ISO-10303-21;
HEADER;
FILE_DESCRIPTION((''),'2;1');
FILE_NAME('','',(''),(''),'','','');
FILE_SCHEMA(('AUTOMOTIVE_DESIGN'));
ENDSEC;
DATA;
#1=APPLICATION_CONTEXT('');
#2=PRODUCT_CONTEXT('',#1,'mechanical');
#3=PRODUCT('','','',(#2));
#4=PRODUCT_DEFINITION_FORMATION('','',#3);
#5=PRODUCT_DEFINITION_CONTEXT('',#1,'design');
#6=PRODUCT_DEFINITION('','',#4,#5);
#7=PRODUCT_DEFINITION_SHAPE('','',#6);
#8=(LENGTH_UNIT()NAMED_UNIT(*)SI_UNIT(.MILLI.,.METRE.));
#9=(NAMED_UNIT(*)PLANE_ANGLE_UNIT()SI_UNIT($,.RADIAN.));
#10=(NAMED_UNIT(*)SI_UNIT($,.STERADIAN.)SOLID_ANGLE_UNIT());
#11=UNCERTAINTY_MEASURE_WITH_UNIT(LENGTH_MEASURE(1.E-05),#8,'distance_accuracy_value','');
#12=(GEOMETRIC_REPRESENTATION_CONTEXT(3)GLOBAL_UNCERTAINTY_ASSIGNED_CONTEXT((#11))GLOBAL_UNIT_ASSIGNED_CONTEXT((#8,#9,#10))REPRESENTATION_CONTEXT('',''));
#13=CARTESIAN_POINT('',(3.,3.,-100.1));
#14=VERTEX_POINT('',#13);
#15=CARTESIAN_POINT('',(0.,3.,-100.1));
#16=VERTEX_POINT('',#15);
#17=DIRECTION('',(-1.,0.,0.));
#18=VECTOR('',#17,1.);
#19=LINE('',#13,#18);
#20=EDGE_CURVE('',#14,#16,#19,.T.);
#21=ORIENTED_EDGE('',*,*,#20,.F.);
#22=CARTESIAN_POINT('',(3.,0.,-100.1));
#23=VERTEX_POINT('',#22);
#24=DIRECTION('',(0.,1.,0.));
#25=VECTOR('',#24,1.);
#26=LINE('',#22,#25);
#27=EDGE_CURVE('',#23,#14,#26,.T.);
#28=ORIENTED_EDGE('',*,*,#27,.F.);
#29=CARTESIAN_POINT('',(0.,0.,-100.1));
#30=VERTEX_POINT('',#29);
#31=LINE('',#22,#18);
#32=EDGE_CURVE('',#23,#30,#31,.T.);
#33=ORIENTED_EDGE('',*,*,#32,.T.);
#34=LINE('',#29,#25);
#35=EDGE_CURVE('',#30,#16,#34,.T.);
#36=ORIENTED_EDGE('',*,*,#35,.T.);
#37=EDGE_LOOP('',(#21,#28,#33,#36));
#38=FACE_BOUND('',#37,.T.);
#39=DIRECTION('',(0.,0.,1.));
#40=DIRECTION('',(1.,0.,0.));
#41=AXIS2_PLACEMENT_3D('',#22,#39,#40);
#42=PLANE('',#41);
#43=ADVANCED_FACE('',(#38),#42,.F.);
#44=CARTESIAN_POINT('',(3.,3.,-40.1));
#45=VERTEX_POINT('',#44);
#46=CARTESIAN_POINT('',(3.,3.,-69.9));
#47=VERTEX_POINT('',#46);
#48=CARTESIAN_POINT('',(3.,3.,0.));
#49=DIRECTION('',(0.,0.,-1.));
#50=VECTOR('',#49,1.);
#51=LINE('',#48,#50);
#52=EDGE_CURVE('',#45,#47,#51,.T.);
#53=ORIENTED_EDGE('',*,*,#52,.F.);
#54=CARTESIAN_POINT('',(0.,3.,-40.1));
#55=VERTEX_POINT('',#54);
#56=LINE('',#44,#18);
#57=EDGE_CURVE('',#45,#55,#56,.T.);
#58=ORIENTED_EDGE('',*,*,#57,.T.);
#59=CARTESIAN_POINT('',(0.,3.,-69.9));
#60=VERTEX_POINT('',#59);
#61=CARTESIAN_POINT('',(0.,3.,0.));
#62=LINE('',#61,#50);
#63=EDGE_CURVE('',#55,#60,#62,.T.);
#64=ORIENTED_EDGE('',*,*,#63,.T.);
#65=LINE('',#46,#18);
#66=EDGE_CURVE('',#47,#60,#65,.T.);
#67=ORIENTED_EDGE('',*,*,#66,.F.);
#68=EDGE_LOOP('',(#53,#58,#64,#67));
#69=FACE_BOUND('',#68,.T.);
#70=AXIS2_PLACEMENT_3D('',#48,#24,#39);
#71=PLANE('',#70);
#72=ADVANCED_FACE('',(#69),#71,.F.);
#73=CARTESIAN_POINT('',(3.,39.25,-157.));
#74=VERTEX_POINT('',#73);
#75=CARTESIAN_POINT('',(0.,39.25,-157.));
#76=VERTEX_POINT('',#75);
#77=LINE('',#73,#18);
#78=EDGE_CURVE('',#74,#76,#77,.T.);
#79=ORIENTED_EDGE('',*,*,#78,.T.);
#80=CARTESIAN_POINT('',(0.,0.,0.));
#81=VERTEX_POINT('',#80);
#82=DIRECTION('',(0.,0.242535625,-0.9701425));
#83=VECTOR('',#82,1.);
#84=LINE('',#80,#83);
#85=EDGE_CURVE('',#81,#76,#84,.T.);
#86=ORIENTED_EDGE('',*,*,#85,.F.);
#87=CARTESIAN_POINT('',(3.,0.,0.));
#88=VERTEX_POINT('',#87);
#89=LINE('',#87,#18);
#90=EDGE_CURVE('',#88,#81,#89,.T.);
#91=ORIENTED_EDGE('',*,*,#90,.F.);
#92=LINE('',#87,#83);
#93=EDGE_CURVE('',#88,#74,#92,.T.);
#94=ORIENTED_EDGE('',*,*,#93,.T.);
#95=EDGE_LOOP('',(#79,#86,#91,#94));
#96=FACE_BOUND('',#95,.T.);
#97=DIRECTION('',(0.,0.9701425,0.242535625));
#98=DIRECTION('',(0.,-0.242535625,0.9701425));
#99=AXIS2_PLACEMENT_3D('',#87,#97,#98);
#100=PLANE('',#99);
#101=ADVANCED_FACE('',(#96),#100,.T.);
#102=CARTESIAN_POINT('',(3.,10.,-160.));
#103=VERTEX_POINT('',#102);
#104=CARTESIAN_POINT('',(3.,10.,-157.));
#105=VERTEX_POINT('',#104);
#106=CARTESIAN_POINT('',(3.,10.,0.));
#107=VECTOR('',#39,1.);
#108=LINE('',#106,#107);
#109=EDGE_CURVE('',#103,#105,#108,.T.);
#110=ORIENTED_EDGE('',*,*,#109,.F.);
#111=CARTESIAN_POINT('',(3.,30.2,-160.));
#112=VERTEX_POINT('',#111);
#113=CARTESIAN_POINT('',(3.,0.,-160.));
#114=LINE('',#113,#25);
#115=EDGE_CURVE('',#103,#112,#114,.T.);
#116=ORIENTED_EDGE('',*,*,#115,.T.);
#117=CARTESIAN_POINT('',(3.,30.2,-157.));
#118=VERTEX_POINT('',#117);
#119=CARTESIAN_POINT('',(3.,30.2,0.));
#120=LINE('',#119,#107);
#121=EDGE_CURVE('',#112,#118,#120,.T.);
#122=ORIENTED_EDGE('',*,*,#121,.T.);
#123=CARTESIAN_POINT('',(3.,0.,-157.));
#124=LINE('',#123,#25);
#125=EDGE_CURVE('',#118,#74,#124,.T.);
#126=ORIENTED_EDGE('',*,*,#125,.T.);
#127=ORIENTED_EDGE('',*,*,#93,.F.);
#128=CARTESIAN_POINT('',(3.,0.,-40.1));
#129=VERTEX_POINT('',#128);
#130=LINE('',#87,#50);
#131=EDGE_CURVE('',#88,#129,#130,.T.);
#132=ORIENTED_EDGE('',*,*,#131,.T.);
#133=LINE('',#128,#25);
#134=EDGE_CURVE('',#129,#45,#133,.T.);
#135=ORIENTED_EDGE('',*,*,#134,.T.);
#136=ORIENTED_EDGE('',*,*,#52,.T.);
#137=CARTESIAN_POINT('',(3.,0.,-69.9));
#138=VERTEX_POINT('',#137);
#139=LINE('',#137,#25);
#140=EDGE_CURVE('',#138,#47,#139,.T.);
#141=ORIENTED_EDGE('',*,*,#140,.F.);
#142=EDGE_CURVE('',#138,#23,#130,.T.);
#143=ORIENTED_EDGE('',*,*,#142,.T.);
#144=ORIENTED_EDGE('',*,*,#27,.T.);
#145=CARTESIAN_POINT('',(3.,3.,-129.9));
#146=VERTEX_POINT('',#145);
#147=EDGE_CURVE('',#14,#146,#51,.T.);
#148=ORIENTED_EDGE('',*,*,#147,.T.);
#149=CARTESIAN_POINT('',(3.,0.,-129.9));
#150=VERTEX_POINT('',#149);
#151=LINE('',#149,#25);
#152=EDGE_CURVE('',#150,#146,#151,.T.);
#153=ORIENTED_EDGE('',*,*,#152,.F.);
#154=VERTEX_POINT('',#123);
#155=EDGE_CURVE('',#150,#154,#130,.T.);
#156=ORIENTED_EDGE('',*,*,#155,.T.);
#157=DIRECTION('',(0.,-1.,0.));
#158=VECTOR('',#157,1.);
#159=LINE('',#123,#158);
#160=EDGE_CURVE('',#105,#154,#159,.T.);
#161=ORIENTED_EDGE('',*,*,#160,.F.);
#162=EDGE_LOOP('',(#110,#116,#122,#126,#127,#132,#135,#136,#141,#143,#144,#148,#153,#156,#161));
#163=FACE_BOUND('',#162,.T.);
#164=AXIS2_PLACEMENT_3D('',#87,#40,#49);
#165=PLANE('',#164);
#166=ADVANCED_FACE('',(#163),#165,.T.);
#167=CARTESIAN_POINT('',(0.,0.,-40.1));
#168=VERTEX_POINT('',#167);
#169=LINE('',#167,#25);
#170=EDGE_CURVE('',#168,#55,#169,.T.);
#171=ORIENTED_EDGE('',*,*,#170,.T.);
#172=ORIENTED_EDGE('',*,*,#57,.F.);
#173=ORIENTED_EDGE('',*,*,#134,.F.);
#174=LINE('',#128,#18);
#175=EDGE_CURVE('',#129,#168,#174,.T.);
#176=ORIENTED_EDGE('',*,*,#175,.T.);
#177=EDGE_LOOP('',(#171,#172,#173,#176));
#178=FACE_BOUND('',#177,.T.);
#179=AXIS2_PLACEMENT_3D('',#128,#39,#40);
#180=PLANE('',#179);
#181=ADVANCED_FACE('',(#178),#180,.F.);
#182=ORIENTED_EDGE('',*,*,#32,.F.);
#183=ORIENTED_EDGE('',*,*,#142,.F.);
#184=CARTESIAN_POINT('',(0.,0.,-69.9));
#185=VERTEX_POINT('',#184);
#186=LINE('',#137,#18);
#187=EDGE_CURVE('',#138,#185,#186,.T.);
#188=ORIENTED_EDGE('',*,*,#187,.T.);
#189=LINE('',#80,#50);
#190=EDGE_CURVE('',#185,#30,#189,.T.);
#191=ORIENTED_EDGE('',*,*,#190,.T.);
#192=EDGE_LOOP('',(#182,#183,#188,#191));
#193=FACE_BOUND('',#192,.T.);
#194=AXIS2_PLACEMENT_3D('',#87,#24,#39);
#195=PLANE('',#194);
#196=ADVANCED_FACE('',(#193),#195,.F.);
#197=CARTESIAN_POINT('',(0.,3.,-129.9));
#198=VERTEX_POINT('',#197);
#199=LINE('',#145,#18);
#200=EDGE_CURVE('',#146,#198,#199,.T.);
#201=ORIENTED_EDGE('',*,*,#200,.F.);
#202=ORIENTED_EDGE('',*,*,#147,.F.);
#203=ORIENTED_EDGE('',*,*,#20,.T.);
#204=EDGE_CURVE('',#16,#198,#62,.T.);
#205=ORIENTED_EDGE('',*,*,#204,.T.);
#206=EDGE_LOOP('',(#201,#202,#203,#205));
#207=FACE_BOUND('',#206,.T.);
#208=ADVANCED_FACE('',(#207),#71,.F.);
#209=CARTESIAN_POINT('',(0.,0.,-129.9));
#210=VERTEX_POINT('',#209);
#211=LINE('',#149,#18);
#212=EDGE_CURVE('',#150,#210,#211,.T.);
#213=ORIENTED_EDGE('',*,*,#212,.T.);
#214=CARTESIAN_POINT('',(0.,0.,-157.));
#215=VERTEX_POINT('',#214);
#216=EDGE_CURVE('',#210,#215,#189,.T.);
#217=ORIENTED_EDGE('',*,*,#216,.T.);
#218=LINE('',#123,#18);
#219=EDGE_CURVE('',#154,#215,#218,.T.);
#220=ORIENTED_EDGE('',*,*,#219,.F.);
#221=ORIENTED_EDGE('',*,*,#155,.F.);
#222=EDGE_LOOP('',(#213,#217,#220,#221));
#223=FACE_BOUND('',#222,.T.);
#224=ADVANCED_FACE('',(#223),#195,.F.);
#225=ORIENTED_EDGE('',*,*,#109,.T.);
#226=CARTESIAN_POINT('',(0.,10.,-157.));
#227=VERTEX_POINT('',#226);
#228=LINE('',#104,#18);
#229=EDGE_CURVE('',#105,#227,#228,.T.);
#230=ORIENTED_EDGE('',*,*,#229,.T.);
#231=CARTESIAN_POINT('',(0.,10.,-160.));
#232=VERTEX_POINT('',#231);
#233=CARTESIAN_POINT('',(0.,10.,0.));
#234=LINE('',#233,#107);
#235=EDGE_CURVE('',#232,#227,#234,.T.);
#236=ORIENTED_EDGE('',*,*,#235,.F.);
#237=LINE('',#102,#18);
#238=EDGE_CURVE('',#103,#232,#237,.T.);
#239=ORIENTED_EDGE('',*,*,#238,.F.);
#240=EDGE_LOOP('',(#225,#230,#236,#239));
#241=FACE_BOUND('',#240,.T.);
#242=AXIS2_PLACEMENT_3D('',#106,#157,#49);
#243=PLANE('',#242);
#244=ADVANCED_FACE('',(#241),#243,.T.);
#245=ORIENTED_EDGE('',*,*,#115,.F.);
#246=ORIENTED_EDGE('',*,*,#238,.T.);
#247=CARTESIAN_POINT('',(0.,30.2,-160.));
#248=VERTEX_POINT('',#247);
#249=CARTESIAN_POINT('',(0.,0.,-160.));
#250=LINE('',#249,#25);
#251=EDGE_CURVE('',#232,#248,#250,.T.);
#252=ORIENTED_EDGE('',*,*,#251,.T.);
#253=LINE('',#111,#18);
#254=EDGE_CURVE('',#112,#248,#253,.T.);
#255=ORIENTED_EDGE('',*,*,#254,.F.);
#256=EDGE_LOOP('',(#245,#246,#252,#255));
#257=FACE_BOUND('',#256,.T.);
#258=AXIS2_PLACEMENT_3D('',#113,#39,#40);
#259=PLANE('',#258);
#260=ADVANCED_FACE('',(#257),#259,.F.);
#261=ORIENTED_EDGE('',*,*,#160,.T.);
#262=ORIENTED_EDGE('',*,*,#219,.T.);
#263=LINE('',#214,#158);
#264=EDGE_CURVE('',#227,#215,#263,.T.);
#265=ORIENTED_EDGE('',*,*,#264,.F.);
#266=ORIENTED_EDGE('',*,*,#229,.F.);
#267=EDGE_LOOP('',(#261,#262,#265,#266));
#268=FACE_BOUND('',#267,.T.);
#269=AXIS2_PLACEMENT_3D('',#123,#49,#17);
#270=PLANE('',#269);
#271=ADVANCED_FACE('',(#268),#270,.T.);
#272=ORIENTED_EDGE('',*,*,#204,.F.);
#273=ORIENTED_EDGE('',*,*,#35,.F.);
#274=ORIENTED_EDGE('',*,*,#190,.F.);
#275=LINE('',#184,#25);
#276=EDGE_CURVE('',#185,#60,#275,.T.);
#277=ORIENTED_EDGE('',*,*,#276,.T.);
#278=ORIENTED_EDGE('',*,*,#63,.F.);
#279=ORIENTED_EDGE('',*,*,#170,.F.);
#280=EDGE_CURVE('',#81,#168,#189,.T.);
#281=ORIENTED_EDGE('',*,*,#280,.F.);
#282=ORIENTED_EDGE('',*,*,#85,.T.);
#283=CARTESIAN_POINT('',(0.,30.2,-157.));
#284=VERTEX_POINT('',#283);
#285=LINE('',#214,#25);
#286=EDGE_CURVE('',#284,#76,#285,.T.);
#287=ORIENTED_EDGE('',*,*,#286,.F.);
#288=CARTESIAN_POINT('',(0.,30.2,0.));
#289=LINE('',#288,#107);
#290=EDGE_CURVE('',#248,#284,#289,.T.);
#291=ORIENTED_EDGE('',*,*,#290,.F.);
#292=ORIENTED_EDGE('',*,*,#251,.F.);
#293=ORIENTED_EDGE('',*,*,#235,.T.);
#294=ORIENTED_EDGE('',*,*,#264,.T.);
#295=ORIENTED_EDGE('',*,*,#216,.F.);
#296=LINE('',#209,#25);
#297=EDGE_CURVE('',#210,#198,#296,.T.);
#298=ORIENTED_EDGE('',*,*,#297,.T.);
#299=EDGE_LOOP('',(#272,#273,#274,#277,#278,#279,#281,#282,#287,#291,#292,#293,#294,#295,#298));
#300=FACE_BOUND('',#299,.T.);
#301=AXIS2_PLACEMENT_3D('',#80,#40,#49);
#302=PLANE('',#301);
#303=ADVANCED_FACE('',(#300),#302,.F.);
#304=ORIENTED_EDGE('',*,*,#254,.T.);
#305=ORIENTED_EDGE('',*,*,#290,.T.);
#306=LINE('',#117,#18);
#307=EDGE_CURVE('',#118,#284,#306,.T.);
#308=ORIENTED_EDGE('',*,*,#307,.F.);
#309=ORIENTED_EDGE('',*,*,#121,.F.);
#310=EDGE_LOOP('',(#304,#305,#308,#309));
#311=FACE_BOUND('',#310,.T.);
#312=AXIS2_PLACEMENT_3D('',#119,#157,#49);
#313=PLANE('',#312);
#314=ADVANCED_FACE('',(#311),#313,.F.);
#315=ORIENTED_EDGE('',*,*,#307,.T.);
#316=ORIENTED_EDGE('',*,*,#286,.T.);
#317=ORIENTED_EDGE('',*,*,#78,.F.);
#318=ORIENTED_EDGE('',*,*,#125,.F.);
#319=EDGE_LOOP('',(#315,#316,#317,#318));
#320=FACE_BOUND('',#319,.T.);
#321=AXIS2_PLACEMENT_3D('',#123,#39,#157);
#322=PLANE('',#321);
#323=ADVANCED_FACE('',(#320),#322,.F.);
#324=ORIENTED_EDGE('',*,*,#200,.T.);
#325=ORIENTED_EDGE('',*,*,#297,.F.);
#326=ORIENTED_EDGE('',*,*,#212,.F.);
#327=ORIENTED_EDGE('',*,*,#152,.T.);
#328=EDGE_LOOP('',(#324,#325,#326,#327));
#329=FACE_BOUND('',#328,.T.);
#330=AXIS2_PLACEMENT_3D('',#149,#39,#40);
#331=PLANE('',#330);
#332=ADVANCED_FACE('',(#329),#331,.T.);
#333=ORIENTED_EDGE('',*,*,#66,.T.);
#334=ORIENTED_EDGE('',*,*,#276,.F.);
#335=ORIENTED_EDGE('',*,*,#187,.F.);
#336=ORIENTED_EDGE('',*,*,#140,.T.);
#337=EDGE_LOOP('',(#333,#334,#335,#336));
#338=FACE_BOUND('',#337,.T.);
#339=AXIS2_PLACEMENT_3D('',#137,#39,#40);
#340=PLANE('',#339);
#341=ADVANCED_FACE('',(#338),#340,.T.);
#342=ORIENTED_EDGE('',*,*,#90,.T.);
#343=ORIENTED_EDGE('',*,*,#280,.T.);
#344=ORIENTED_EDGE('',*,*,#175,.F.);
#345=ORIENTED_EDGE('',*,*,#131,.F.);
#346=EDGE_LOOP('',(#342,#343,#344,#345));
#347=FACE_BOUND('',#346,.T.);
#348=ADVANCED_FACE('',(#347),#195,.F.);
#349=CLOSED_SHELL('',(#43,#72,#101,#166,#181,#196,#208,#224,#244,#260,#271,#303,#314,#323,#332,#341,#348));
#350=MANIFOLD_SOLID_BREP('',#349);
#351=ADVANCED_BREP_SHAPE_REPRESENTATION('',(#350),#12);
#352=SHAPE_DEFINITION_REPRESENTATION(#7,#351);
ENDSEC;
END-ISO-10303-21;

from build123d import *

# Parameters (mm, degrees)
BOSS_EXTRUDE1_DEPTH = 3


with BuildPart() as part:
    # Sketch2 → Boss-Extrude1 (new body)
    with BuildSketch(Plane(origin=(0, 0, 0), x_dir=(0, 0, -1), z_dir=(1, 0, 0))):
        Polygon((157, 39.25), (0, 0), (40.1, 0), (40.1, 3), (69.9, 3), (69.9, 0), (100.1, 0), (100.1, 3), (129.9, 3), (129.9, 0), (157, 0), (157, 10), (160, 10), (160, 30.2), (157, 30.2), align=None)
    extrude(amount=BOSS_EXTRUDE1_DEPTH)


solid = part.part
